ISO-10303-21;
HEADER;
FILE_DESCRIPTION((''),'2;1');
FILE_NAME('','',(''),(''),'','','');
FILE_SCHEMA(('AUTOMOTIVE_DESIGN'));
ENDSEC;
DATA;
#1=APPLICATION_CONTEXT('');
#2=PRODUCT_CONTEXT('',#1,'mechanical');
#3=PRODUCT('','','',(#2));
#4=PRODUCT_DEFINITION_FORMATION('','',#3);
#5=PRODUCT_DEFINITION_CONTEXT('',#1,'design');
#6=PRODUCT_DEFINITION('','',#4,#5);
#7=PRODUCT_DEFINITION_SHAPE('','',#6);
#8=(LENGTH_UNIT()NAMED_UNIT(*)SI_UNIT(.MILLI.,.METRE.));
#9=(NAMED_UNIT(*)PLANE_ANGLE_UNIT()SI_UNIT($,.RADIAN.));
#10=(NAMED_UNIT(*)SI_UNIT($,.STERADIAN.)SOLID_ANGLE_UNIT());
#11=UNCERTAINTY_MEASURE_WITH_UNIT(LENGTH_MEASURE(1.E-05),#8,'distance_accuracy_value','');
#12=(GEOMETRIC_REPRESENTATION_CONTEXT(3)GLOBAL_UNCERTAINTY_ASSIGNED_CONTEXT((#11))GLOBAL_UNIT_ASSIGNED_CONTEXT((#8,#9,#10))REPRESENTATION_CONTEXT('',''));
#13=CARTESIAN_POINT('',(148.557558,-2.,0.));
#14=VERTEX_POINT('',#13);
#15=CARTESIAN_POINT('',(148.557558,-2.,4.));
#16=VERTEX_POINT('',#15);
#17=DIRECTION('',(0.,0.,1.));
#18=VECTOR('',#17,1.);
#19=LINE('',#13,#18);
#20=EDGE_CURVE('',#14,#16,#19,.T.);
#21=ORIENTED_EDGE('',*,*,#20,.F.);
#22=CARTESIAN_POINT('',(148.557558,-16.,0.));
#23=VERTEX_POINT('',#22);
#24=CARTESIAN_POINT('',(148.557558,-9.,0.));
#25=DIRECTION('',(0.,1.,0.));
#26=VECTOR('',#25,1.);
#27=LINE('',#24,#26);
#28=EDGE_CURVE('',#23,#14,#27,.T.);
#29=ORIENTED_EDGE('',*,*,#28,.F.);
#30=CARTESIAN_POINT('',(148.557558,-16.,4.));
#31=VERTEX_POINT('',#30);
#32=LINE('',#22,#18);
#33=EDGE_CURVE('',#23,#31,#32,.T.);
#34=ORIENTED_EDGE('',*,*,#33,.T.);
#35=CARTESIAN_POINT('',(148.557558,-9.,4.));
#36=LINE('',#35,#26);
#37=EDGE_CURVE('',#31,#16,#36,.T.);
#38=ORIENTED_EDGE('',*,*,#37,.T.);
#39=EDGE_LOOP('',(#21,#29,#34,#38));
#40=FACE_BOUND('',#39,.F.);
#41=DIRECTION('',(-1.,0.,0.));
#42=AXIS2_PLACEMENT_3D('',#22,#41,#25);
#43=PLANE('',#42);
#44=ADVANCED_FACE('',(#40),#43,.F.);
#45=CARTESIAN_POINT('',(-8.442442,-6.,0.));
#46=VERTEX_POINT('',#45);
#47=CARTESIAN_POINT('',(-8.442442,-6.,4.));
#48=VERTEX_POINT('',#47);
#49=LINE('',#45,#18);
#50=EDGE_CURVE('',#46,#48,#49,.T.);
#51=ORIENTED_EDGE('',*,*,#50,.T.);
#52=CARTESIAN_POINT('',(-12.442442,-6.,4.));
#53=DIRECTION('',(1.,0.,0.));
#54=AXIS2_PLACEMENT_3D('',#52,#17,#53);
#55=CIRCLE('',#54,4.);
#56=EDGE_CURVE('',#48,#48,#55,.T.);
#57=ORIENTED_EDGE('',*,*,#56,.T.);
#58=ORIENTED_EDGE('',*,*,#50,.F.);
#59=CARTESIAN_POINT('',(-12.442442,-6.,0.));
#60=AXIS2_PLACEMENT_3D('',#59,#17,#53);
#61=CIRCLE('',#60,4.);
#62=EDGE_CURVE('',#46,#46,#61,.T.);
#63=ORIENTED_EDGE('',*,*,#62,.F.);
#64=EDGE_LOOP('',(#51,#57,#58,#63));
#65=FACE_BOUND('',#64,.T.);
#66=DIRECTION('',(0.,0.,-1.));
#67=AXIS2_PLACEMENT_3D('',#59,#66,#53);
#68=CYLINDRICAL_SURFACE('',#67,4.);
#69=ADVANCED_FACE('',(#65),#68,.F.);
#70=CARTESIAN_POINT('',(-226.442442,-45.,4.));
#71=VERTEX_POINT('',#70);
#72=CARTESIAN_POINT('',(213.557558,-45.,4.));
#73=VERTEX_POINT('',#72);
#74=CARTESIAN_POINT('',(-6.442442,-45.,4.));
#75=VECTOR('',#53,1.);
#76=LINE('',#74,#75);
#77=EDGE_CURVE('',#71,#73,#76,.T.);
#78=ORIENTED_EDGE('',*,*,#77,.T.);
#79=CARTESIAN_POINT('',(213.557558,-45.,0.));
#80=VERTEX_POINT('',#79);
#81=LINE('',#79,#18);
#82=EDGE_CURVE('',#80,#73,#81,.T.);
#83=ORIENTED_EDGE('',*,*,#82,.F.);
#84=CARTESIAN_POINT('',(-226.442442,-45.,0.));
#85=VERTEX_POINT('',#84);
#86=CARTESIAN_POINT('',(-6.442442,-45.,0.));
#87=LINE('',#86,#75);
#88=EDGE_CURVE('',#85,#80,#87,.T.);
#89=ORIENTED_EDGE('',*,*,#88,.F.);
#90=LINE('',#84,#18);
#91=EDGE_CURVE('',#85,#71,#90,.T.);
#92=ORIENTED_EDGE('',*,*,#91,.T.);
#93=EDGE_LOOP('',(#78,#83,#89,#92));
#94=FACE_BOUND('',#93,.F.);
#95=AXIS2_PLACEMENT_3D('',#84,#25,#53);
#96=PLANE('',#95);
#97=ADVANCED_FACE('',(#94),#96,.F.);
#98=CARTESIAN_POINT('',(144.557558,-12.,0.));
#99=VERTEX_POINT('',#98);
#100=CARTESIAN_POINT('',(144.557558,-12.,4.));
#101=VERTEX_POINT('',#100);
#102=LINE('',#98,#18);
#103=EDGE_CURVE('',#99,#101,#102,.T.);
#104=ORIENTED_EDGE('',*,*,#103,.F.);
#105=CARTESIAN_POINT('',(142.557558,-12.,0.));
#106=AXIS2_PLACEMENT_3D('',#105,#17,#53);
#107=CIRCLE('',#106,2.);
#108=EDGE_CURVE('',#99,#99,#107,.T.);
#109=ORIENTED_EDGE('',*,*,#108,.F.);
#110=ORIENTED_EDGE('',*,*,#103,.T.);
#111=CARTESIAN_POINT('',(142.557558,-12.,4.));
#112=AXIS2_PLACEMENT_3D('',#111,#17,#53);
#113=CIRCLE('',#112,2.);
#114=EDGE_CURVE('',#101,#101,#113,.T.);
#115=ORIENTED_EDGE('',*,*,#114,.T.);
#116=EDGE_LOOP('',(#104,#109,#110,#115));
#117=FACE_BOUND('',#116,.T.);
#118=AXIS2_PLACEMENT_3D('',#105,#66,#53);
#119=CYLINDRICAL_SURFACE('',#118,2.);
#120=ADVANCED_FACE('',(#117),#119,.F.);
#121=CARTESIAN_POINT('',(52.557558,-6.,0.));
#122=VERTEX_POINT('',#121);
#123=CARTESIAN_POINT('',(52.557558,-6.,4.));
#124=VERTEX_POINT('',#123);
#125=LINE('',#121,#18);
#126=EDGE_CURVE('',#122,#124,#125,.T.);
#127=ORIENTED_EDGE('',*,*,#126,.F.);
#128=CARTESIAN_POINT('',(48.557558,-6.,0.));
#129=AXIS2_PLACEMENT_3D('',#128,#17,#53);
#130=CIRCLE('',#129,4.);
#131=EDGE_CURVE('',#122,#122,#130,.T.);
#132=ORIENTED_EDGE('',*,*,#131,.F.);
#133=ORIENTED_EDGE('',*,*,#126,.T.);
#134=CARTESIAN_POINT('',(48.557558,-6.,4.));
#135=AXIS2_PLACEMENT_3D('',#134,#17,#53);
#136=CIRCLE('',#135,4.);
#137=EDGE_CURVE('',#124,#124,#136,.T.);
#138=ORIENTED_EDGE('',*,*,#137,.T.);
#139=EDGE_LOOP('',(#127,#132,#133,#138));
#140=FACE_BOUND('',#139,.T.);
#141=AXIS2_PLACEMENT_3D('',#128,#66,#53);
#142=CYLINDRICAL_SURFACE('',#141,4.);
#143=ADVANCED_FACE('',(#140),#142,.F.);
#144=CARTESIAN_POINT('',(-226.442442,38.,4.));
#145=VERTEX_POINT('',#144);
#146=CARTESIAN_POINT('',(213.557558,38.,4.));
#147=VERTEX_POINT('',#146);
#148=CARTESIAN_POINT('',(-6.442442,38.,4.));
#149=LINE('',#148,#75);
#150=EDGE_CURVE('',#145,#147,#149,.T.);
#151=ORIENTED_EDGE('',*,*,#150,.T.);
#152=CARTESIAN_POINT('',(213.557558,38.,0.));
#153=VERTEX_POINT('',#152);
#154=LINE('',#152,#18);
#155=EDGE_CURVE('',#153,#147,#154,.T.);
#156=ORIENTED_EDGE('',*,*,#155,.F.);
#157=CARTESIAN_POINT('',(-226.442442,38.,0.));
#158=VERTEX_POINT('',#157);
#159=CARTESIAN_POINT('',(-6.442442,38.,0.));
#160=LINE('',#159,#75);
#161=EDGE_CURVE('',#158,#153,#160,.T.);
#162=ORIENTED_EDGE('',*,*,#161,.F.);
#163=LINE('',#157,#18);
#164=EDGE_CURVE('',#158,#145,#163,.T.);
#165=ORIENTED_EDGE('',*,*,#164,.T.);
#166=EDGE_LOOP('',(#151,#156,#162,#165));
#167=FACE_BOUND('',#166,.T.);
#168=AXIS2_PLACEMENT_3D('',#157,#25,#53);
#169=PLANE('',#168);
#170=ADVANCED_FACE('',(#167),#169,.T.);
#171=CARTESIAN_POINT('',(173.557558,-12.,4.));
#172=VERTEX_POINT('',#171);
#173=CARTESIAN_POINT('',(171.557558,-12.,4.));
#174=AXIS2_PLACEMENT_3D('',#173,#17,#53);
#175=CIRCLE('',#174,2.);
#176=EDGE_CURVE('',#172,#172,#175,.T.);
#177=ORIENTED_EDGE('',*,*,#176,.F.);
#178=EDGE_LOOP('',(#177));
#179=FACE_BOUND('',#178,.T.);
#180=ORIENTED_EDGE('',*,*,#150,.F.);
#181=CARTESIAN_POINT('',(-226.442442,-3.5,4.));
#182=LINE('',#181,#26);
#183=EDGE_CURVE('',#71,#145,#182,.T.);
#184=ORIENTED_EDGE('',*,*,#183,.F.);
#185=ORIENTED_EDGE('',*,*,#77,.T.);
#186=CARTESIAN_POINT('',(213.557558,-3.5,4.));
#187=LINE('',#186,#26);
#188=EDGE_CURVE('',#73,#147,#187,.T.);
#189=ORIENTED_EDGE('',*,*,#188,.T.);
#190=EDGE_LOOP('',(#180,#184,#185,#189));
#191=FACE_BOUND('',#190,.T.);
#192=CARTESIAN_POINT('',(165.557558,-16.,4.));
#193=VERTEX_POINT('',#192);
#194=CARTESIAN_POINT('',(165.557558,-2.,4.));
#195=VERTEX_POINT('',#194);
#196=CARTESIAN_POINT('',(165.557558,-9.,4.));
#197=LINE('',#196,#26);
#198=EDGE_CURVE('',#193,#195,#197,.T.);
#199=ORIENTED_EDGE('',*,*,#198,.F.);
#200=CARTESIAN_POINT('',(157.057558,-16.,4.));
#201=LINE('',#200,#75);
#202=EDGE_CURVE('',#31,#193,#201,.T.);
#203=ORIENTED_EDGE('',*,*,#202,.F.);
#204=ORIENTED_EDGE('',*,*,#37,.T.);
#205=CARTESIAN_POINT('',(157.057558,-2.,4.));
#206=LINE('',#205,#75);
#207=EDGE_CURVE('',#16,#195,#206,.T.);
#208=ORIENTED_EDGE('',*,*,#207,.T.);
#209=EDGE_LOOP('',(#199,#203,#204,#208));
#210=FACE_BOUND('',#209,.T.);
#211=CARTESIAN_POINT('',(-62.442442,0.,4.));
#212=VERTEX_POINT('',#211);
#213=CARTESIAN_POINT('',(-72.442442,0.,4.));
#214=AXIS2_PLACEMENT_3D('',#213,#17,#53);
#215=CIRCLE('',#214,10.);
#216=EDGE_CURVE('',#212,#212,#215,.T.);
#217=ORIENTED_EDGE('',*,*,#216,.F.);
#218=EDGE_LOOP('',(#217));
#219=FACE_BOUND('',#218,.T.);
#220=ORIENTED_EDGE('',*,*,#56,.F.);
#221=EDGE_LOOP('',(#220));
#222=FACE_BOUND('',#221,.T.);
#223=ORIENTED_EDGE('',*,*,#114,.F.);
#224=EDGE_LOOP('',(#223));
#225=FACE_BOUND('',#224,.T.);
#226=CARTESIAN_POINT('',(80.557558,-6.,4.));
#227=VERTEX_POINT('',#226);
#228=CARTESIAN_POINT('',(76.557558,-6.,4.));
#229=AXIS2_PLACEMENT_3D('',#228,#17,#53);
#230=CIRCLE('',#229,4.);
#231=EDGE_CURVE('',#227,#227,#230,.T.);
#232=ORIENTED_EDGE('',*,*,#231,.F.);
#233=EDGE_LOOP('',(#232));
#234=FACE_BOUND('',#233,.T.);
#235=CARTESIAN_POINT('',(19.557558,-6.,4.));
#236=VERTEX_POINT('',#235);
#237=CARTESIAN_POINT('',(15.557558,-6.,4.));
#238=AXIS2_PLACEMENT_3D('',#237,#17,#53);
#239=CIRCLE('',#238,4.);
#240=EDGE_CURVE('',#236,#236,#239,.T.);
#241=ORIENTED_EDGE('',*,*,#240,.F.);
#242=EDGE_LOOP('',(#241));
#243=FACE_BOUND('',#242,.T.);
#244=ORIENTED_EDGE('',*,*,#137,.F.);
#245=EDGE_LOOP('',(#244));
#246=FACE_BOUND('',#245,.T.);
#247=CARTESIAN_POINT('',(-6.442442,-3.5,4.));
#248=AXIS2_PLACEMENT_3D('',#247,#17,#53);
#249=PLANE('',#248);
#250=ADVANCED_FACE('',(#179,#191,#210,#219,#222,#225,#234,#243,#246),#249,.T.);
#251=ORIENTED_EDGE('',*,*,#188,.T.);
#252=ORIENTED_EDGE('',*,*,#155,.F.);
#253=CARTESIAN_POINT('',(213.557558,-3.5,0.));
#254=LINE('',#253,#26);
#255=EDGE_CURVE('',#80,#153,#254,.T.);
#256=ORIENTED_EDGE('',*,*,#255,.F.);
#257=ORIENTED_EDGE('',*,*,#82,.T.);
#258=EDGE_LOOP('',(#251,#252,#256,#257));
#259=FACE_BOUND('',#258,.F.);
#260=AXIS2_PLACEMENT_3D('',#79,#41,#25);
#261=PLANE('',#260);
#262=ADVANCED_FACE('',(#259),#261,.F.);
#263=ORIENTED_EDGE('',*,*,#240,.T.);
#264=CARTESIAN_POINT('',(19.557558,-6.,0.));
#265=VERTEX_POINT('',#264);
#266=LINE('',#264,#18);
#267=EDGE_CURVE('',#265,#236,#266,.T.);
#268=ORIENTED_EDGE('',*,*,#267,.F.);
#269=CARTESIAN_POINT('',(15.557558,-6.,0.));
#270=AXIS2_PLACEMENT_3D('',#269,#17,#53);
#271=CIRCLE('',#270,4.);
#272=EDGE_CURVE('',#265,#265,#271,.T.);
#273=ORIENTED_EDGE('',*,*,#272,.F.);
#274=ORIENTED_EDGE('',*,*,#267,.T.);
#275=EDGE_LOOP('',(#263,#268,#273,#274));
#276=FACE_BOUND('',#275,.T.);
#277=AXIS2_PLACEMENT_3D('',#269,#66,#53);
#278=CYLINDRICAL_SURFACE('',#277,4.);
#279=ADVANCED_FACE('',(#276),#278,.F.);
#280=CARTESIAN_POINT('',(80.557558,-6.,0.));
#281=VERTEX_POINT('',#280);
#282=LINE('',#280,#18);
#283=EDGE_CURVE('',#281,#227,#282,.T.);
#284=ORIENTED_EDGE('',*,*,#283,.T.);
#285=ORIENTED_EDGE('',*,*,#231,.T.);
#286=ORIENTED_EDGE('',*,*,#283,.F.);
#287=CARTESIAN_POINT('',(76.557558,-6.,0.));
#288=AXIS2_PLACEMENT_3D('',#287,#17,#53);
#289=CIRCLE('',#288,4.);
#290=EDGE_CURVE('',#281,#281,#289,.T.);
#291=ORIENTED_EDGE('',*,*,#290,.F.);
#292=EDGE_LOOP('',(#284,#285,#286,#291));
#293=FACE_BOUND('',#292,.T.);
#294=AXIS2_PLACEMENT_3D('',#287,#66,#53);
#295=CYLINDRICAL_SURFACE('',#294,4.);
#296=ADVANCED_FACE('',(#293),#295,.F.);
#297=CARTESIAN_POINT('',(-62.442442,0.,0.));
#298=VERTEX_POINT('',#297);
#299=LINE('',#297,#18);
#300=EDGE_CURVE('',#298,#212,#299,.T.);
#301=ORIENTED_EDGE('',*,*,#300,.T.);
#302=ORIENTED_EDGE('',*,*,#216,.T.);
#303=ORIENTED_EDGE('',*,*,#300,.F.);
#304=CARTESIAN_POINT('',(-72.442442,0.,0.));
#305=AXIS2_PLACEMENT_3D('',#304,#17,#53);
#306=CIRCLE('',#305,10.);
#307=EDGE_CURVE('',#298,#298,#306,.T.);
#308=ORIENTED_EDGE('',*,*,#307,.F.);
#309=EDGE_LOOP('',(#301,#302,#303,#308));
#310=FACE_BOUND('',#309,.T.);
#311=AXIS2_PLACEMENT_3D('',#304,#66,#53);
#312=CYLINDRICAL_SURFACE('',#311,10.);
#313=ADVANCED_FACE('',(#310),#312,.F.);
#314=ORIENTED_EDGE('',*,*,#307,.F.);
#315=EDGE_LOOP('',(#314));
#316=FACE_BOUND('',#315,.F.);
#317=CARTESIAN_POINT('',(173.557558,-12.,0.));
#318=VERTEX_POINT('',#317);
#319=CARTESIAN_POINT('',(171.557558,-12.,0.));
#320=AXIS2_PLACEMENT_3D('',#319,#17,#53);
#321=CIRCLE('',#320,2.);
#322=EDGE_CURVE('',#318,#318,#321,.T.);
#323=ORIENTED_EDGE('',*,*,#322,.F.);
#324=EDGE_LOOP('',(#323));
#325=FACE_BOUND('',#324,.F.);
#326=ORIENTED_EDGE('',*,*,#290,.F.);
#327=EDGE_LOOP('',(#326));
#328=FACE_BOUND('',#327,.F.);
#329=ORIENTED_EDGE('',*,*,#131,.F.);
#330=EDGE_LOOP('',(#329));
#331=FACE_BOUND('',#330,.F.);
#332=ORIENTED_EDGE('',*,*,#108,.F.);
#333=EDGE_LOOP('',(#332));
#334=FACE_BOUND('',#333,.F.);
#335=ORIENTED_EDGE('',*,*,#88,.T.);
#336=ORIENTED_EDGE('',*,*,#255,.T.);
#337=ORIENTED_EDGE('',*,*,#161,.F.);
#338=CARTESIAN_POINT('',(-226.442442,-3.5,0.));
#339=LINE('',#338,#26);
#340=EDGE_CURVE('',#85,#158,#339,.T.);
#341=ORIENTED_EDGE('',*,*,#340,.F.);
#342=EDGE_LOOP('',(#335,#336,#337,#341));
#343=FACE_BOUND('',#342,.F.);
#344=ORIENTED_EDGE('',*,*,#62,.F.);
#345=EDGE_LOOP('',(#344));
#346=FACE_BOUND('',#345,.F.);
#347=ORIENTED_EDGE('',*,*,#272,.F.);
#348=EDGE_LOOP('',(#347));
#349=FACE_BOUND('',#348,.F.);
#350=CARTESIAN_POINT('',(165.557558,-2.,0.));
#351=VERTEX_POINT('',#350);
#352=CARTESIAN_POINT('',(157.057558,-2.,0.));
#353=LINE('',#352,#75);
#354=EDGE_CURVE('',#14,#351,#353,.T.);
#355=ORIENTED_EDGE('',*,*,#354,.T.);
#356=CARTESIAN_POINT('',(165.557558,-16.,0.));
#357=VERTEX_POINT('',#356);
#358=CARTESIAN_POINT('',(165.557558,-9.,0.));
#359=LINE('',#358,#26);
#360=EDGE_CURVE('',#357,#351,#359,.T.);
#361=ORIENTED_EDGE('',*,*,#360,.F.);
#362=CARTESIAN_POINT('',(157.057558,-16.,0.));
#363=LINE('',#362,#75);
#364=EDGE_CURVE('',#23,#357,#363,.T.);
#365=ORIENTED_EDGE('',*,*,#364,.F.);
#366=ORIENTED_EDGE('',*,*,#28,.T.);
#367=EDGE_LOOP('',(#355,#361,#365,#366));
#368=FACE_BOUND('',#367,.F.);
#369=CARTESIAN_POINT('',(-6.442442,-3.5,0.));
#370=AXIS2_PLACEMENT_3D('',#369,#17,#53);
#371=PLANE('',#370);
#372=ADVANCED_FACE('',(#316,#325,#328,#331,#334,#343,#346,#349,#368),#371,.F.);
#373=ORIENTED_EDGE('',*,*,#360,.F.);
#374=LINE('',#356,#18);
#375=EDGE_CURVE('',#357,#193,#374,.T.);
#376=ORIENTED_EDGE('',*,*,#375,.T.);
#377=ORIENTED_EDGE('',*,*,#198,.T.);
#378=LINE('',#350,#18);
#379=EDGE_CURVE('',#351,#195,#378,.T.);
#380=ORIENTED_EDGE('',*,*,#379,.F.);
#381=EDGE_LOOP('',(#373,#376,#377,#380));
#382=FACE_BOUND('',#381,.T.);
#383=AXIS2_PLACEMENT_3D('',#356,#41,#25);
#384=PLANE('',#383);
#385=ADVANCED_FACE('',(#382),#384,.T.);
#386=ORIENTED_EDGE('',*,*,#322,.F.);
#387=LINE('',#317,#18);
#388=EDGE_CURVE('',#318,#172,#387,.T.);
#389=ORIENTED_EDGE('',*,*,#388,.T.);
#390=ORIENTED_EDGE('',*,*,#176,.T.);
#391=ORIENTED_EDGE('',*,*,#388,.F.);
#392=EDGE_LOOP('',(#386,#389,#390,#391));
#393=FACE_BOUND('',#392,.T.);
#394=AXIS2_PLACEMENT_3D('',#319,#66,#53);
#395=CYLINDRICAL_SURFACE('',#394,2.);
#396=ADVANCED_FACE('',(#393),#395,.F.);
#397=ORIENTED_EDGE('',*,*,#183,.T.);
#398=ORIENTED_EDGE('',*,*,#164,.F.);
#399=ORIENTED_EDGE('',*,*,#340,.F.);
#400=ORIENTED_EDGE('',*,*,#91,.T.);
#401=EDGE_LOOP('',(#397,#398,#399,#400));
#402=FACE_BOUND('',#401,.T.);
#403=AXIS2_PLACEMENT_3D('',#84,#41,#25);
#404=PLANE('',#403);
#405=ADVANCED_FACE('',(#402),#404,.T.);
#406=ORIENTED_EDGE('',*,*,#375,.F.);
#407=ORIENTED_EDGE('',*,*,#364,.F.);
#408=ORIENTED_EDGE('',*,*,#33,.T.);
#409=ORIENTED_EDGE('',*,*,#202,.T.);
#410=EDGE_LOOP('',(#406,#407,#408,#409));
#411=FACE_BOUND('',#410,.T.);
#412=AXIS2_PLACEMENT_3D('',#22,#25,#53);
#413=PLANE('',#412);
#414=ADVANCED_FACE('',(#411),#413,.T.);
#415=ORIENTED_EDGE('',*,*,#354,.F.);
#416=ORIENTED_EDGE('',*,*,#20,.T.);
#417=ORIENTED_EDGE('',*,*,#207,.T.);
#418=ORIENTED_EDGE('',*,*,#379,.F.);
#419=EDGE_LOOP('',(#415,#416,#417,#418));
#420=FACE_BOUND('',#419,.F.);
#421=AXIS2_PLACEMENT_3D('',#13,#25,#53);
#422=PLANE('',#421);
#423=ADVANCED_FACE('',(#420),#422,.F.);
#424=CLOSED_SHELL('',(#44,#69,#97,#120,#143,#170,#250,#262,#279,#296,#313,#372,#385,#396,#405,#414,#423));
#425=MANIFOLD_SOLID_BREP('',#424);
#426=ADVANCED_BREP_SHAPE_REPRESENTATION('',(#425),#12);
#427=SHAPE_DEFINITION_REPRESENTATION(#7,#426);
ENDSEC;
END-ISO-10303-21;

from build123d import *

# Parameters (mm, degrees)
F0_W     = 440
F0_H     = 83
F0_R     = 4
F0_R_2   = 2
F0_W_2   = 17
F0_H_2   = 14
F0_R_3   = 10
F1_DEPTH = 4


with BuildPart() as f1:
    # F0 (on Top) → F1 (new body)
    with BuildSketch(Plane.XY):
        with Locations((-6.442442, -3.5)):
            Rectangle(F0_W, F0_H)
        with Locations((-12.442442, -6)):
            Circle(F0_R, mode=Mode.SUBTRACT)
        with Locations((15.557558, -6)):
            Circle(F0_R, mode=Mode.SUBTRACT)
        with Locations((48.557558, -6)):
            Circle(F0_R, mode=Mode.SUBTRACT)
        with Locations((76.557558, -6)):
            Circle(F0_R, mode=Mode.SUBTRACT)
        with Locations((142.557558, -12)):
            Circle(F0_R_2, mode=Mode.SUBTRACT)
        with Locations((157.057558, -9)):
            Rectangle(F0_W_2, F0_H_2, mode=Mode.SUBTRACT)
        with Locations((171.557558, -12)):
            Circle(F0_R_2, mode=Mode.SUBTRACT)
        with Locations((-72.442442, 0)):
            Circle(F0_R_3, mode=Mode.SUBTRACT)
    extrude(amount=F1_DEPTH)


solid = f1.part
